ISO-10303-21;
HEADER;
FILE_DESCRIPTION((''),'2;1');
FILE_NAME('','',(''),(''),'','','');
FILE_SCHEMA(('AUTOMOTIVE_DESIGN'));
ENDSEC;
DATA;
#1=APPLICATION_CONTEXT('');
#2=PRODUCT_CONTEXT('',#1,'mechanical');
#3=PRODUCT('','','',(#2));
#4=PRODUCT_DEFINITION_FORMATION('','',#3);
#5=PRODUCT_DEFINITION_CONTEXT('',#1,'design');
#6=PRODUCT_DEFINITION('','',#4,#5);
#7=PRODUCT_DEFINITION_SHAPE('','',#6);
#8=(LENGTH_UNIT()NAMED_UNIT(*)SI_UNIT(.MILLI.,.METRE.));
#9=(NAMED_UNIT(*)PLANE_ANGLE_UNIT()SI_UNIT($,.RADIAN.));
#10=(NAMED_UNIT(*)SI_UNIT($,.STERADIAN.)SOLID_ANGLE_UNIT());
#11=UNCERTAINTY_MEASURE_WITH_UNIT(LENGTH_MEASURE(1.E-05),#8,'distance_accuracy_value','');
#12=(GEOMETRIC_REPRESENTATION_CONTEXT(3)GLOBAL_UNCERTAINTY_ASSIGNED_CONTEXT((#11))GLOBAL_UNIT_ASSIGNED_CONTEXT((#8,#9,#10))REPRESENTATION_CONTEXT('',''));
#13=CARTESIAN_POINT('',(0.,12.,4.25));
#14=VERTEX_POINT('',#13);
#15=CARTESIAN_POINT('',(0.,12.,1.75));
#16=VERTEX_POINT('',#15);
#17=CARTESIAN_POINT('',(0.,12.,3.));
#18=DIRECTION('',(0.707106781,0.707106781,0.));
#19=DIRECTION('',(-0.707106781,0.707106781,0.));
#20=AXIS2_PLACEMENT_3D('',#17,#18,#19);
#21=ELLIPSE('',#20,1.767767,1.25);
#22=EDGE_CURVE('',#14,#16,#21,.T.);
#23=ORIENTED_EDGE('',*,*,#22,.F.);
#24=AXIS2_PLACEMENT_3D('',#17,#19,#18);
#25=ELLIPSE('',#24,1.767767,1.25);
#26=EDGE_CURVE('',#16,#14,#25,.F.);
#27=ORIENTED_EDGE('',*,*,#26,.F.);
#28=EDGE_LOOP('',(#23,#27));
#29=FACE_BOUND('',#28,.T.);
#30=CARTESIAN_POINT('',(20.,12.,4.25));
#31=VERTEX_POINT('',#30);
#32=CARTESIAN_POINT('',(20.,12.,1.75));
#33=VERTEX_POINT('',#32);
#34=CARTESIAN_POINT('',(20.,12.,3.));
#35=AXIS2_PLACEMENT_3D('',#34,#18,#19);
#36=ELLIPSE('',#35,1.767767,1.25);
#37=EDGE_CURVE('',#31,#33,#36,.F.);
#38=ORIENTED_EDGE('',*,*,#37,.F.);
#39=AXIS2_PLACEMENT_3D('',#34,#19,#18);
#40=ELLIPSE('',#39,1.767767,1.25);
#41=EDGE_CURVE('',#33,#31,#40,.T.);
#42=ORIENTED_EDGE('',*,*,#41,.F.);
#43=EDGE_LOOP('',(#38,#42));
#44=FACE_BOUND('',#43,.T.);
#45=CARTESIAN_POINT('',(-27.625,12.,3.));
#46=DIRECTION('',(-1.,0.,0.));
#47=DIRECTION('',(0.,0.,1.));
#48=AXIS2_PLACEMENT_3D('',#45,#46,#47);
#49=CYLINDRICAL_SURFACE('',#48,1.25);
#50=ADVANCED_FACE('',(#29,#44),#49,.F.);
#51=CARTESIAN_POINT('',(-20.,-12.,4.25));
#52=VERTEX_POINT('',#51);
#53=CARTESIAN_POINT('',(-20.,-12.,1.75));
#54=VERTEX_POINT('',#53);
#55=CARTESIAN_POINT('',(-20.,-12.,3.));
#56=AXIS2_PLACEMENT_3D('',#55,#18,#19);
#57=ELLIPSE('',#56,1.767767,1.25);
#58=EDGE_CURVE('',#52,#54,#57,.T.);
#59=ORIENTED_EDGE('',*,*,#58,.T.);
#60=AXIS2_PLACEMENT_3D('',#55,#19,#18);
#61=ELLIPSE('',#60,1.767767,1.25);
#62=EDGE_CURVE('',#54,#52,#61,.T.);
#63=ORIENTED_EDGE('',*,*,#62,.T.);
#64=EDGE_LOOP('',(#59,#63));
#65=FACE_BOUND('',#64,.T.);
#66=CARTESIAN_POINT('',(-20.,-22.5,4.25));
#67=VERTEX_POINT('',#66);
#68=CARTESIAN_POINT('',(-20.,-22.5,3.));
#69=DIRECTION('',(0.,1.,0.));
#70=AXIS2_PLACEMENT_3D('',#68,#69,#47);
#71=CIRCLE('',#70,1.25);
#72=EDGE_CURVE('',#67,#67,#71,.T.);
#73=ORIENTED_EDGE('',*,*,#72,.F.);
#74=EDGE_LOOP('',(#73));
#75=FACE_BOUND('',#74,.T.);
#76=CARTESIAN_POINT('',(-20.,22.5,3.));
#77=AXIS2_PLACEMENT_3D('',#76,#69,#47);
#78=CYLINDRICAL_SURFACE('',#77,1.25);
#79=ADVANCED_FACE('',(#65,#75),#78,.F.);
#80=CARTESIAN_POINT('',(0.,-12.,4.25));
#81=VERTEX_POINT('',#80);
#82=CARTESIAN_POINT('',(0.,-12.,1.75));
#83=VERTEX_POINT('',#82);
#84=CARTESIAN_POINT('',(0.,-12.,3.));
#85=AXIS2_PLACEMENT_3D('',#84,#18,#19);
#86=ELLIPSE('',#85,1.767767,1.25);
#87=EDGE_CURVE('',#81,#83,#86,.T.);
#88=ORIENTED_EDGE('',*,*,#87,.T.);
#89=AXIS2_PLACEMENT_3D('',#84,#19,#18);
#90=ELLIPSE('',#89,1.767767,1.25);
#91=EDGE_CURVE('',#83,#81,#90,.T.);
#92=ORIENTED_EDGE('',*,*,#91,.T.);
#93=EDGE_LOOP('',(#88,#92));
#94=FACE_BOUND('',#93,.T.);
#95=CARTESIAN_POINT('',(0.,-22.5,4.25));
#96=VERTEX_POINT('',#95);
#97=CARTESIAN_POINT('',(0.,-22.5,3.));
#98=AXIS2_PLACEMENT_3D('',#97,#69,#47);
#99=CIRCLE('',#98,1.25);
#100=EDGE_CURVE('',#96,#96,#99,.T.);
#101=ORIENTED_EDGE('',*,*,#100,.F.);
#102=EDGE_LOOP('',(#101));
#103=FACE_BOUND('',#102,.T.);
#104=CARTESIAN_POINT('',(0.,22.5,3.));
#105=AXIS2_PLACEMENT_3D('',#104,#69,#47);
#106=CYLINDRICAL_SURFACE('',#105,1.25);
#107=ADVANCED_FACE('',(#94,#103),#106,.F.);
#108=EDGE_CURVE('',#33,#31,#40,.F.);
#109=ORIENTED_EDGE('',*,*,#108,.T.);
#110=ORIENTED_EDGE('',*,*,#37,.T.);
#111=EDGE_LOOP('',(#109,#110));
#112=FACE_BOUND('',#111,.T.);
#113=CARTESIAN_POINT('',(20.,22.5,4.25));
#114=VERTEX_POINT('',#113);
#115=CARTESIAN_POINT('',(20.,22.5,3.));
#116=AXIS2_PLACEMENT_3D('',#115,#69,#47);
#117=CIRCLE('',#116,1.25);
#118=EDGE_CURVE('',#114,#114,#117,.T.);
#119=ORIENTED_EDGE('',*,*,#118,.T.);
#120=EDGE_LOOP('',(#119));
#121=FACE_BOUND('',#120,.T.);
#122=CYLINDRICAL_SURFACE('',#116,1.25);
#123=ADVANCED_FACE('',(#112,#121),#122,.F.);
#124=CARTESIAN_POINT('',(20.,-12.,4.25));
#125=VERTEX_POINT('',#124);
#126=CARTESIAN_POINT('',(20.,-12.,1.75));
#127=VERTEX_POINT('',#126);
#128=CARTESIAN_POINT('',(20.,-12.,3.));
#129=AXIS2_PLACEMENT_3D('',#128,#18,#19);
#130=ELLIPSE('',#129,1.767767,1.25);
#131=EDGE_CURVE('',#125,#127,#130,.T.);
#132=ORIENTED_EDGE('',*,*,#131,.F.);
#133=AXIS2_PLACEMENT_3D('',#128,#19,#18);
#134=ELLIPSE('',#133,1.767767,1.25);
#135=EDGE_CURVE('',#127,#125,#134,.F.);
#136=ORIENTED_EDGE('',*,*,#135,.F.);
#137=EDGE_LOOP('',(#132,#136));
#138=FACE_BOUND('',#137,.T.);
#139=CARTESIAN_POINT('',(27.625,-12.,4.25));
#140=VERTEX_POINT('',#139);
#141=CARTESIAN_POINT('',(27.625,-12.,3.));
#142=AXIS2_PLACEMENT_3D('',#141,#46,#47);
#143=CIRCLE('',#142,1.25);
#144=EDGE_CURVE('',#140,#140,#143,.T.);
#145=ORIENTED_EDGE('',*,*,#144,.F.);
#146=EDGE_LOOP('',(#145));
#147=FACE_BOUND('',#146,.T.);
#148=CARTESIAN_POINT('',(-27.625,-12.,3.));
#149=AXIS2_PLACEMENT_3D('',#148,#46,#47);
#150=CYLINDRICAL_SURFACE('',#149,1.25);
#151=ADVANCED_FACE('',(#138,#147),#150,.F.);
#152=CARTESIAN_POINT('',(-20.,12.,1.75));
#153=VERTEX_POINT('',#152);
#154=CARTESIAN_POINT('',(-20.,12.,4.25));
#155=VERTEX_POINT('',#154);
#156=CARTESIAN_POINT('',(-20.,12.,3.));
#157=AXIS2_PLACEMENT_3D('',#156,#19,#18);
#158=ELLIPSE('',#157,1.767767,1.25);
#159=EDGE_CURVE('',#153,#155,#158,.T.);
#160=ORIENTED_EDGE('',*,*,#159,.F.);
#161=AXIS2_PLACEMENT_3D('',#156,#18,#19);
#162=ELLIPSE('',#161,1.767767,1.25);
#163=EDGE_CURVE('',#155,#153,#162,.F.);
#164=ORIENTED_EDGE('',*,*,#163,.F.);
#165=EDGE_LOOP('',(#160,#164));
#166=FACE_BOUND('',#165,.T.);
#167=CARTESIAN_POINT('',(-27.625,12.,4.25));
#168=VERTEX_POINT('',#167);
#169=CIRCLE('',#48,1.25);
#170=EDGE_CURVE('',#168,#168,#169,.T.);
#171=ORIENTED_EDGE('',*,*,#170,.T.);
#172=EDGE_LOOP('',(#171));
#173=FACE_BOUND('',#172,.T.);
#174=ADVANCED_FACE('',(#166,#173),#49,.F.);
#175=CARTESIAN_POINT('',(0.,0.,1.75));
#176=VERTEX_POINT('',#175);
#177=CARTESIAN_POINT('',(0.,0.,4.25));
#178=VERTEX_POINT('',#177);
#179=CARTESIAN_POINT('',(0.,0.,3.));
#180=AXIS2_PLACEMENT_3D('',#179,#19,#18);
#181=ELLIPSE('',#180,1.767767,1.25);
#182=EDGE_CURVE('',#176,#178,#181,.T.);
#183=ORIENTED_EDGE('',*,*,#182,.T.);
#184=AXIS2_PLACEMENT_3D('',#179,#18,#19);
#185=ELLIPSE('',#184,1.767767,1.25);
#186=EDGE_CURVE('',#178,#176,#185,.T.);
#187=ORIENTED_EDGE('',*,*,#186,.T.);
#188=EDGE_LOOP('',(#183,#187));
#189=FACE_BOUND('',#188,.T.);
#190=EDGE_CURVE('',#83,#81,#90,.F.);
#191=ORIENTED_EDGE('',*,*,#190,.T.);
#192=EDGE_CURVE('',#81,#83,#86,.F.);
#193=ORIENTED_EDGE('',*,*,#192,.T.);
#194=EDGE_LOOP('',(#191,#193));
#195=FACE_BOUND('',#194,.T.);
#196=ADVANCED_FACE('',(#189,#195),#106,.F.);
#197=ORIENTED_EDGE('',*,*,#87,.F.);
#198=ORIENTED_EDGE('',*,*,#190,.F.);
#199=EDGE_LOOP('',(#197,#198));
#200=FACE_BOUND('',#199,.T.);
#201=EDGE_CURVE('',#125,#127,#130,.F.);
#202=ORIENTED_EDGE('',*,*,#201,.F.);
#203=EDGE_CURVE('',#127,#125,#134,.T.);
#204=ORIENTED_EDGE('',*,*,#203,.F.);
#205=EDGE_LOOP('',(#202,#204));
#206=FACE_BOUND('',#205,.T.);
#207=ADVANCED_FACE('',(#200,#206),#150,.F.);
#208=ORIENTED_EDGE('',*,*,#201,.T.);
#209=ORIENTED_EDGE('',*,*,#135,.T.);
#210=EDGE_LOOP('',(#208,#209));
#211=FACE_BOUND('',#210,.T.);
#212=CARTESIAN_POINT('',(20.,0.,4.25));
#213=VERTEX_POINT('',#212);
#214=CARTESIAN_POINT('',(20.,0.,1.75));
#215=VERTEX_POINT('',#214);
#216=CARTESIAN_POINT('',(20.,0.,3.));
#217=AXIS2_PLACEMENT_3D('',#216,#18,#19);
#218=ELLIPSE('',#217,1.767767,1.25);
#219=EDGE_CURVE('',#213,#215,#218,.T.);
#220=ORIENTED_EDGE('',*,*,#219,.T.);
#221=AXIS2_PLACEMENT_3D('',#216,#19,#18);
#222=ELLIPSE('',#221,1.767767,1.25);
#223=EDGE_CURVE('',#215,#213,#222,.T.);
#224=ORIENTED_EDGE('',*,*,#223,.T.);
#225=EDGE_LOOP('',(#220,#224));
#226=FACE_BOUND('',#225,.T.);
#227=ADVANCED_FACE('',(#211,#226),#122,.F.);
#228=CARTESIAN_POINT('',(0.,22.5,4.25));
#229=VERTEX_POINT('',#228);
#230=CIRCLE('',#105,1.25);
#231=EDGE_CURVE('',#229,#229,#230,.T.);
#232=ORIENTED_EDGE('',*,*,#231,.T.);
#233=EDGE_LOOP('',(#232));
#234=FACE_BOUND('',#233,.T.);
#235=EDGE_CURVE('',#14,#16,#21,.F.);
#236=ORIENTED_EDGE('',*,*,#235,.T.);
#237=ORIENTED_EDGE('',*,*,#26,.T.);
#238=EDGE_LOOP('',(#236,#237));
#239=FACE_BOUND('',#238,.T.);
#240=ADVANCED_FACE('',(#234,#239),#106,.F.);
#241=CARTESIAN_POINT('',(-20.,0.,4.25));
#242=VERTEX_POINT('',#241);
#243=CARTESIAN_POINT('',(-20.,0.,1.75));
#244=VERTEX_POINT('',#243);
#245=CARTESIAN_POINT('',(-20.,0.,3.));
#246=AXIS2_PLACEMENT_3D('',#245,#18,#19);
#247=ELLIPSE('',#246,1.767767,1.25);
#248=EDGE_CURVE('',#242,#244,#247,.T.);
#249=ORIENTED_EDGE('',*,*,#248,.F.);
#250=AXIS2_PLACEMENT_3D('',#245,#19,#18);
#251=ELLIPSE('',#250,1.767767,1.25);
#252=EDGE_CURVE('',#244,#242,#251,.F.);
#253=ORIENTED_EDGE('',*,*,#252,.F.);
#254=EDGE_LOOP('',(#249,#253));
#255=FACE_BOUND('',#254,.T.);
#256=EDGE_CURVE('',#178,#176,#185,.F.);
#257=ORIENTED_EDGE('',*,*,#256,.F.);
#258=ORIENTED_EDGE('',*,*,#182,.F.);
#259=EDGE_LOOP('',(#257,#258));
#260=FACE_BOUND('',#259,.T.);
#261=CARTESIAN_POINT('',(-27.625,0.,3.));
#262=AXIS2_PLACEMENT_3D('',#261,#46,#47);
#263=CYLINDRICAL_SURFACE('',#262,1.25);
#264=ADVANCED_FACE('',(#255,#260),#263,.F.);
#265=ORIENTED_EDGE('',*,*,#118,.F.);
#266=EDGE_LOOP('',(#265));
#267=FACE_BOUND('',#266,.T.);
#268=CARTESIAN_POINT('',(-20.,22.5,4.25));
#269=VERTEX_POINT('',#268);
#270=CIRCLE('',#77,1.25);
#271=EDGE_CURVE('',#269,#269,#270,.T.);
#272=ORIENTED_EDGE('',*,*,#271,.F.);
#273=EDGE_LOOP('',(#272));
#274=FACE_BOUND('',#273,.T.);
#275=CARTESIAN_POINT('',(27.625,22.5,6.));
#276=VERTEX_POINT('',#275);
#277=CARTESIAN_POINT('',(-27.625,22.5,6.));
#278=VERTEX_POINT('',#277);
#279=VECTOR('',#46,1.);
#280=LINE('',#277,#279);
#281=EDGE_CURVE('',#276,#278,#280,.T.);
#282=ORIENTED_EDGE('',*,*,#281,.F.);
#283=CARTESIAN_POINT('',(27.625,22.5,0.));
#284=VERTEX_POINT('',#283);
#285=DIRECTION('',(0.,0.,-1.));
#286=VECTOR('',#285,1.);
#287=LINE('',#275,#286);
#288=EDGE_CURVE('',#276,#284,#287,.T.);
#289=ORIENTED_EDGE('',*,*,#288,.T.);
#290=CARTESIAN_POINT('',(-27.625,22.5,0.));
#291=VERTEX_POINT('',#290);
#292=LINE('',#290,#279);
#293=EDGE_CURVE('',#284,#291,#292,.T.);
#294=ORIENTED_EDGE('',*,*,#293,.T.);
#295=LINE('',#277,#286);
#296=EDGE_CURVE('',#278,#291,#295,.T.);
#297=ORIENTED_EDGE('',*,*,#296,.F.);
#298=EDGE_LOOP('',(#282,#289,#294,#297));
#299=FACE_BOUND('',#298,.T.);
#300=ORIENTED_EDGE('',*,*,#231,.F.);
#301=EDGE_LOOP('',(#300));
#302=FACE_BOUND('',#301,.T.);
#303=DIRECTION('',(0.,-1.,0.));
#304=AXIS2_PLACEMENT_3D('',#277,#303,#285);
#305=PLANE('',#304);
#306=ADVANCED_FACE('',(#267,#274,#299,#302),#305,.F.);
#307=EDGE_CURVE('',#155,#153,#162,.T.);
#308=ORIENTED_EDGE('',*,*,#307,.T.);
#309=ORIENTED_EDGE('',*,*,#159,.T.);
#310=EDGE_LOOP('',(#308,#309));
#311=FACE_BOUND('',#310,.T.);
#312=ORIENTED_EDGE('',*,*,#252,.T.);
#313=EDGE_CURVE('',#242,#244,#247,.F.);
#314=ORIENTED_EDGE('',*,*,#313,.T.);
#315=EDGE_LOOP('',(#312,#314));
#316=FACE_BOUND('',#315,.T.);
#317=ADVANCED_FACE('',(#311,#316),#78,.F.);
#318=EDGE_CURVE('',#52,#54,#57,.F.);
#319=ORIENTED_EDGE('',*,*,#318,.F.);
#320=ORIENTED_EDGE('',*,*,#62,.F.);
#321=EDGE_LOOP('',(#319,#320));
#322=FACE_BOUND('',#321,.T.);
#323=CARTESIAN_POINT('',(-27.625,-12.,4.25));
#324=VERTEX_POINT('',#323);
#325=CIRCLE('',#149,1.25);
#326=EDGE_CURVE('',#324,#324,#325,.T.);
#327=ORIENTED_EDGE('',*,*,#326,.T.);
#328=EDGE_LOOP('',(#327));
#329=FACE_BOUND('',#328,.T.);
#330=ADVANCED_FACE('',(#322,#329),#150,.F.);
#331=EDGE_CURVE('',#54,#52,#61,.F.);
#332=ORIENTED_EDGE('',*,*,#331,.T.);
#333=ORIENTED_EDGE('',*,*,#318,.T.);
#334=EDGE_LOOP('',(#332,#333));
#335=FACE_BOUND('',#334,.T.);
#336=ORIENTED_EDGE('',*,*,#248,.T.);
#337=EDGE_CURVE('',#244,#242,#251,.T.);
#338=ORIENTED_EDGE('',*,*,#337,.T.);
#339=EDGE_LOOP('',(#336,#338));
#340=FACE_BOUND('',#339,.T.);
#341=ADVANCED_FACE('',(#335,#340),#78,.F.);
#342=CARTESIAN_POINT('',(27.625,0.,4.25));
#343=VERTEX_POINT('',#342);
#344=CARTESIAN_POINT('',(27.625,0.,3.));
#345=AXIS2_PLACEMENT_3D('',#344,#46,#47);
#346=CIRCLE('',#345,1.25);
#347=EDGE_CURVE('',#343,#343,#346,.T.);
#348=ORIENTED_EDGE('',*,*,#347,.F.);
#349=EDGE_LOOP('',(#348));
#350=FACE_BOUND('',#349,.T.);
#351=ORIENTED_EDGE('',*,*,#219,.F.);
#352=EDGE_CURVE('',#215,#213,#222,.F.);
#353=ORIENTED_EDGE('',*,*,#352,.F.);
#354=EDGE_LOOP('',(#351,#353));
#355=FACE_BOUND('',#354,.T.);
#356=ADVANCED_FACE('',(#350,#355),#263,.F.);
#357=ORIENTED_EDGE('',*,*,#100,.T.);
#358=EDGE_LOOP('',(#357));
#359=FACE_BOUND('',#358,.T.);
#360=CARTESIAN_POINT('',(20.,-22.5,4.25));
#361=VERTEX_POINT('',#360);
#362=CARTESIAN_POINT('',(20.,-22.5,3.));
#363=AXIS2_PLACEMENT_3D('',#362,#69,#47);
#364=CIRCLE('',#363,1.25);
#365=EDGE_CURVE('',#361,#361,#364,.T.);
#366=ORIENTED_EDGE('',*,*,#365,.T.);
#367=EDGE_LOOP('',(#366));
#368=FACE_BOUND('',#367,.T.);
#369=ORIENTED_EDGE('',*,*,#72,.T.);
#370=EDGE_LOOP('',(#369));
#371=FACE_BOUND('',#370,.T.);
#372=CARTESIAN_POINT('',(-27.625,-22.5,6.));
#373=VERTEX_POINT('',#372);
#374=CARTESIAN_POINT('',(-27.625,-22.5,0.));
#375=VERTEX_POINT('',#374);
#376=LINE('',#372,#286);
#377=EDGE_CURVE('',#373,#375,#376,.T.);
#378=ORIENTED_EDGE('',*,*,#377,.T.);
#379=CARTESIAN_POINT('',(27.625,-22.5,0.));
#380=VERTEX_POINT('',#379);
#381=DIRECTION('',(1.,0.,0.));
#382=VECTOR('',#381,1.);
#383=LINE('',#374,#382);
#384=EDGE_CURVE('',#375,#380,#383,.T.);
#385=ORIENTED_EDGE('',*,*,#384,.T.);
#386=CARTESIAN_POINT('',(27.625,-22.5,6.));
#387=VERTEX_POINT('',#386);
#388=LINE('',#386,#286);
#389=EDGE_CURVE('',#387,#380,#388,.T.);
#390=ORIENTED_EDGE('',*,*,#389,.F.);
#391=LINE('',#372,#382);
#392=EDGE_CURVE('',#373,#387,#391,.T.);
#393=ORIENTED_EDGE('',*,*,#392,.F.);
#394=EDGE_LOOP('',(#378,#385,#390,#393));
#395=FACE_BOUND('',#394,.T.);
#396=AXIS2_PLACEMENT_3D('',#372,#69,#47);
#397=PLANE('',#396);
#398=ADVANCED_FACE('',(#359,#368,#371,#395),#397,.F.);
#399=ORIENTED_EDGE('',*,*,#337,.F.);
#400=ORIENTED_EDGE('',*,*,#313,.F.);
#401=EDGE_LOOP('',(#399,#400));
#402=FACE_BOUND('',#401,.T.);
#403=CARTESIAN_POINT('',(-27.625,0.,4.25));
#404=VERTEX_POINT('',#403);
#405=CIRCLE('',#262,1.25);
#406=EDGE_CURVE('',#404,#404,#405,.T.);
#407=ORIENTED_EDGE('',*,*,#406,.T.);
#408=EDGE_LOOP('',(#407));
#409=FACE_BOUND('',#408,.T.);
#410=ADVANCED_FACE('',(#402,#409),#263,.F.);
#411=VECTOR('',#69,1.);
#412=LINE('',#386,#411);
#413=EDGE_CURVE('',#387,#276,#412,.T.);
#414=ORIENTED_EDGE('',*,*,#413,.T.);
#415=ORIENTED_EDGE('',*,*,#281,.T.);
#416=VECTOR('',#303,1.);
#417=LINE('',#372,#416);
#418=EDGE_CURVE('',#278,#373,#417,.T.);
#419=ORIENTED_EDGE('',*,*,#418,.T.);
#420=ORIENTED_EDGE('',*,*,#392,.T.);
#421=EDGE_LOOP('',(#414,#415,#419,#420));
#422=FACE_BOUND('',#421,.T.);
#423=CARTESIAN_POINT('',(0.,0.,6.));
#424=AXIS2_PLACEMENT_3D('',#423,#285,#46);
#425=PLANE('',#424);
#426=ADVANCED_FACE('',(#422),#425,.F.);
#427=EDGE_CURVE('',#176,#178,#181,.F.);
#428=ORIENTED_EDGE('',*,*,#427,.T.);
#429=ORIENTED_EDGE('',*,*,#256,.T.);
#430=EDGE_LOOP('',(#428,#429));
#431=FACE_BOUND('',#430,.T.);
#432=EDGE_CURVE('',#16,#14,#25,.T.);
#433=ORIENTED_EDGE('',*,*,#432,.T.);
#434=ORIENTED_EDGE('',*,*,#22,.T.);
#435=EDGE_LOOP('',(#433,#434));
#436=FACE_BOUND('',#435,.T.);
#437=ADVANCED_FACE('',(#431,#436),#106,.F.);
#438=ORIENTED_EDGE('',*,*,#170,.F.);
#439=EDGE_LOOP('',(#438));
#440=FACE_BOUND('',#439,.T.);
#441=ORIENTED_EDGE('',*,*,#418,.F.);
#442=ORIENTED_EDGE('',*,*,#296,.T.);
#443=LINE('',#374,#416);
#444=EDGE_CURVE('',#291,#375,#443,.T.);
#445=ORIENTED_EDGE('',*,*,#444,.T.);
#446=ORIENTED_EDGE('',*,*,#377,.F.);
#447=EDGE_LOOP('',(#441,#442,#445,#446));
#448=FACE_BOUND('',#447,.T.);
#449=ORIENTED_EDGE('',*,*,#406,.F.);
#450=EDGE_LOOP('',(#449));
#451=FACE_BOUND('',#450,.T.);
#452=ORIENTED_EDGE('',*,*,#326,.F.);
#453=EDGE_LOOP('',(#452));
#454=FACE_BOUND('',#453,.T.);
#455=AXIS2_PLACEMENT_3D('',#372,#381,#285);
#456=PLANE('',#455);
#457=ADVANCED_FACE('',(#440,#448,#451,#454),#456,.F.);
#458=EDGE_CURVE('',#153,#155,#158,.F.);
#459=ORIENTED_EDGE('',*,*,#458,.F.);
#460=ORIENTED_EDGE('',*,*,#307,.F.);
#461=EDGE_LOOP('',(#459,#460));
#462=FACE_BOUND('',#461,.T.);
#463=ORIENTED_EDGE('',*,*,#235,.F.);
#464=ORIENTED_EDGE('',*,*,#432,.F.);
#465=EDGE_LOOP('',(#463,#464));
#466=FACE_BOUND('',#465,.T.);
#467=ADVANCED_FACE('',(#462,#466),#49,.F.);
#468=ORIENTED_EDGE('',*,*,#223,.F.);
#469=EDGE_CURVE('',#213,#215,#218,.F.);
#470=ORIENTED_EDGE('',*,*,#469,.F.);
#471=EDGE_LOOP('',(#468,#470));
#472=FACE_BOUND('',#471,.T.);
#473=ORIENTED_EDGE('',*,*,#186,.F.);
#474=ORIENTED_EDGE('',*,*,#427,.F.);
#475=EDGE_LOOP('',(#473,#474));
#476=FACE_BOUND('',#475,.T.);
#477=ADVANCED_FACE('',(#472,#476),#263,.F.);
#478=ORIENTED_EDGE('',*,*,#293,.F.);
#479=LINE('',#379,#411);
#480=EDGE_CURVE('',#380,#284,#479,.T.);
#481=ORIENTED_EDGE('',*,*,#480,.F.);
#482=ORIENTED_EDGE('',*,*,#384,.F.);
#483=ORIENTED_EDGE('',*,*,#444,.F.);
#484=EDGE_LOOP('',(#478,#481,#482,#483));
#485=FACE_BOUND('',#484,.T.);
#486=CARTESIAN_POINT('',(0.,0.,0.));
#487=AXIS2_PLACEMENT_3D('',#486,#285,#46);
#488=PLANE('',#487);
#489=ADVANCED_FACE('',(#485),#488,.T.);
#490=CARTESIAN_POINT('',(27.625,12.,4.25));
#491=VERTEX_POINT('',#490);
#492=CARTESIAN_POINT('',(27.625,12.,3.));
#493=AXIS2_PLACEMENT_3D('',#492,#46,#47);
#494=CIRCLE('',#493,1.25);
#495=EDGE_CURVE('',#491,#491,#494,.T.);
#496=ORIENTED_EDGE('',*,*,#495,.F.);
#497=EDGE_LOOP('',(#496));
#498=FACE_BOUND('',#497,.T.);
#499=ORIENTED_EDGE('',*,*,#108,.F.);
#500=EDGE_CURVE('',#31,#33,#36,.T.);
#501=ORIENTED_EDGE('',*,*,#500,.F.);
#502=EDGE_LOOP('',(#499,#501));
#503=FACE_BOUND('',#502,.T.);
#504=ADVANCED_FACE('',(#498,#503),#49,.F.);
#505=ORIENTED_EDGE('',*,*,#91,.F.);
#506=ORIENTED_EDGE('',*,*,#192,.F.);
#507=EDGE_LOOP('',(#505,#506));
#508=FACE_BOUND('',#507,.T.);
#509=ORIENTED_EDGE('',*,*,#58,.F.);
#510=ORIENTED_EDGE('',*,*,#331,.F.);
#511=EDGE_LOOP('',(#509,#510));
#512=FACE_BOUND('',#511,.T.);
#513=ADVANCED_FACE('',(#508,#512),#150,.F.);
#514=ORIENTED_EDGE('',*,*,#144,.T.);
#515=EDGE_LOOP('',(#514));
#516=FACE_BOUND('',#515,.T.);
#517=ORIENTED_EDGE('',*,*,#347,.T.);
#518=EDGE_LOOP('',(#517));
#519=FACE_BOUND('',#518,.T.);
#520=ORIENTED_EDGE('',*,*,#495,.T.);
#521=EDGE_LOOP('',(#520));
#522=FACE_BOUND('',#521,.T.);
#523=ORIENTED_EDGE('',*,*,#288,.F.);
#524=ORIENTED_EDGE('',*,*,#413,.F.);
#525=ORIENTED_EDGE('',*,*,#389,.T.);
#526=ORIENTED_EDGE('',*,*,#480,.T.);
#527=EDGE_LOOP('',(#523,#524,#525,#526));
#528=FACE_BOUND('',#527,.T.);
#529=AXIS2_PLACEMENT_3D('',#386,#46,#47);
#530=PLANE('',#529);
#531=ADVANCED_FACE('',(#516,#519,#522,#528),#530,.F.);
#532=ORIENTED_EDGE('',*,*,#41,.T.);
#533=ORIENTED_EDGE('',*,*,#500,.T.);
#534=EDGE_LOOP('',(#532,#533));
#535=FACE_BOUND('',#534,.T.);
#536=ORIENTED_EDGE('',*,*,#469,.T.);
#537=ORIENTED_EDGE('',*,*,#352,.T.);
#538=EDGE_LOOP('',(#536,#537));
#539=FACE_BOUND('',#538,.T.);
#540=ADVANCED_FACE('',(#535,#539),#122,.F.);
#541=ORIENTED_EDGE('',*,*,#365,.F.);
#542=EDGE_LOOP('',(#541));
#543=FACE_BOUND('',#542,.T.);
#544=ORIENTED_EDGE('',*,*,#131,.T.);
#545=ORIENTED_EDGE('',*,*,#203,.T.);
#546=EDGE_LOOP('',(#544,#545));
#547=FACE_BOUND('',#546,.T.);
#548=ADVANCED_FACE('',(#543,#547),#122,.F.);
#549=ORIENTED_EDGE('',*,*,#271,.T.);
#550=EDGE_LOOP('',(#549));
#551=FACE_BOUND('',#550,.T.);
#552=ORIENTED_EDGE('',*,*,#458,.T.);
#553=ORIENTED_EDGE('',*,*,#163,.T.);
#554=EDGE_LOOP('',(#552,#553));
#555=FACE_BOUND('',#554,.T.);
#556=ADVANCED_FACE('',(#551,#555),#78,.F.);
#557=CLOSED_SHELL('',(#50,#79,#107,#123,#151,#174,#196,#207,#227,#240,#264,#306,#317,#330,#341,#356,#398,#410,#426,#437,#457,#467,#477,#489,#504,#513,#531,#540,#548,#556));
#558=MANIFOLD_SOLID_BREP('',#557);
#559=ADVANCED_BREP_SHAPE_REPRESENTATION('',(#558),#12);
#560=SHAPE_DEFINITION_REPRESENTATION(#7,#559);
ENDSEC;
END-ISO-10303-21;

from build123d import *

# Parameters (mm, degrees)
SKETCH_1_W         = 55.25
SKETCH_1_H         = 45
EXTRUDE_1_DEPTH    = 6
HOLE_WIZARD_M3_1_D = 2.5
HOLE_WIZARD_M3_2_D = 2.5


with BuildPart() as part:
    # 草图1 → 凸台-拉伸1 (new body)
    with BuildSketch(Plane.XY):
        Rectangle(SKETCH_1_W, SKETCH_1_H)
    extrude(amount=EXTRUDE_1_DEPTH)

    # M3 螺纹孔1 (through all)
    with Locations(Plane(origin=(0, 22.5, 0), x_dir=(1, 0, 0), z_dir=(0, 1, 0))):
        with Locations((-20, -3), (0, -3), (20, -3)):
            Hole(HOLE_WIZARD_M3_1_D / 2)

    # M3 螺纹孔2 (through all)
    with Locations(Plane.ZY.offset(27.625)):
        with Locations((3, 12), (3, -12), (3, 0)):
            Hole(HOLE_WIZARD_M3_2_D / 2)


solid = part.part
